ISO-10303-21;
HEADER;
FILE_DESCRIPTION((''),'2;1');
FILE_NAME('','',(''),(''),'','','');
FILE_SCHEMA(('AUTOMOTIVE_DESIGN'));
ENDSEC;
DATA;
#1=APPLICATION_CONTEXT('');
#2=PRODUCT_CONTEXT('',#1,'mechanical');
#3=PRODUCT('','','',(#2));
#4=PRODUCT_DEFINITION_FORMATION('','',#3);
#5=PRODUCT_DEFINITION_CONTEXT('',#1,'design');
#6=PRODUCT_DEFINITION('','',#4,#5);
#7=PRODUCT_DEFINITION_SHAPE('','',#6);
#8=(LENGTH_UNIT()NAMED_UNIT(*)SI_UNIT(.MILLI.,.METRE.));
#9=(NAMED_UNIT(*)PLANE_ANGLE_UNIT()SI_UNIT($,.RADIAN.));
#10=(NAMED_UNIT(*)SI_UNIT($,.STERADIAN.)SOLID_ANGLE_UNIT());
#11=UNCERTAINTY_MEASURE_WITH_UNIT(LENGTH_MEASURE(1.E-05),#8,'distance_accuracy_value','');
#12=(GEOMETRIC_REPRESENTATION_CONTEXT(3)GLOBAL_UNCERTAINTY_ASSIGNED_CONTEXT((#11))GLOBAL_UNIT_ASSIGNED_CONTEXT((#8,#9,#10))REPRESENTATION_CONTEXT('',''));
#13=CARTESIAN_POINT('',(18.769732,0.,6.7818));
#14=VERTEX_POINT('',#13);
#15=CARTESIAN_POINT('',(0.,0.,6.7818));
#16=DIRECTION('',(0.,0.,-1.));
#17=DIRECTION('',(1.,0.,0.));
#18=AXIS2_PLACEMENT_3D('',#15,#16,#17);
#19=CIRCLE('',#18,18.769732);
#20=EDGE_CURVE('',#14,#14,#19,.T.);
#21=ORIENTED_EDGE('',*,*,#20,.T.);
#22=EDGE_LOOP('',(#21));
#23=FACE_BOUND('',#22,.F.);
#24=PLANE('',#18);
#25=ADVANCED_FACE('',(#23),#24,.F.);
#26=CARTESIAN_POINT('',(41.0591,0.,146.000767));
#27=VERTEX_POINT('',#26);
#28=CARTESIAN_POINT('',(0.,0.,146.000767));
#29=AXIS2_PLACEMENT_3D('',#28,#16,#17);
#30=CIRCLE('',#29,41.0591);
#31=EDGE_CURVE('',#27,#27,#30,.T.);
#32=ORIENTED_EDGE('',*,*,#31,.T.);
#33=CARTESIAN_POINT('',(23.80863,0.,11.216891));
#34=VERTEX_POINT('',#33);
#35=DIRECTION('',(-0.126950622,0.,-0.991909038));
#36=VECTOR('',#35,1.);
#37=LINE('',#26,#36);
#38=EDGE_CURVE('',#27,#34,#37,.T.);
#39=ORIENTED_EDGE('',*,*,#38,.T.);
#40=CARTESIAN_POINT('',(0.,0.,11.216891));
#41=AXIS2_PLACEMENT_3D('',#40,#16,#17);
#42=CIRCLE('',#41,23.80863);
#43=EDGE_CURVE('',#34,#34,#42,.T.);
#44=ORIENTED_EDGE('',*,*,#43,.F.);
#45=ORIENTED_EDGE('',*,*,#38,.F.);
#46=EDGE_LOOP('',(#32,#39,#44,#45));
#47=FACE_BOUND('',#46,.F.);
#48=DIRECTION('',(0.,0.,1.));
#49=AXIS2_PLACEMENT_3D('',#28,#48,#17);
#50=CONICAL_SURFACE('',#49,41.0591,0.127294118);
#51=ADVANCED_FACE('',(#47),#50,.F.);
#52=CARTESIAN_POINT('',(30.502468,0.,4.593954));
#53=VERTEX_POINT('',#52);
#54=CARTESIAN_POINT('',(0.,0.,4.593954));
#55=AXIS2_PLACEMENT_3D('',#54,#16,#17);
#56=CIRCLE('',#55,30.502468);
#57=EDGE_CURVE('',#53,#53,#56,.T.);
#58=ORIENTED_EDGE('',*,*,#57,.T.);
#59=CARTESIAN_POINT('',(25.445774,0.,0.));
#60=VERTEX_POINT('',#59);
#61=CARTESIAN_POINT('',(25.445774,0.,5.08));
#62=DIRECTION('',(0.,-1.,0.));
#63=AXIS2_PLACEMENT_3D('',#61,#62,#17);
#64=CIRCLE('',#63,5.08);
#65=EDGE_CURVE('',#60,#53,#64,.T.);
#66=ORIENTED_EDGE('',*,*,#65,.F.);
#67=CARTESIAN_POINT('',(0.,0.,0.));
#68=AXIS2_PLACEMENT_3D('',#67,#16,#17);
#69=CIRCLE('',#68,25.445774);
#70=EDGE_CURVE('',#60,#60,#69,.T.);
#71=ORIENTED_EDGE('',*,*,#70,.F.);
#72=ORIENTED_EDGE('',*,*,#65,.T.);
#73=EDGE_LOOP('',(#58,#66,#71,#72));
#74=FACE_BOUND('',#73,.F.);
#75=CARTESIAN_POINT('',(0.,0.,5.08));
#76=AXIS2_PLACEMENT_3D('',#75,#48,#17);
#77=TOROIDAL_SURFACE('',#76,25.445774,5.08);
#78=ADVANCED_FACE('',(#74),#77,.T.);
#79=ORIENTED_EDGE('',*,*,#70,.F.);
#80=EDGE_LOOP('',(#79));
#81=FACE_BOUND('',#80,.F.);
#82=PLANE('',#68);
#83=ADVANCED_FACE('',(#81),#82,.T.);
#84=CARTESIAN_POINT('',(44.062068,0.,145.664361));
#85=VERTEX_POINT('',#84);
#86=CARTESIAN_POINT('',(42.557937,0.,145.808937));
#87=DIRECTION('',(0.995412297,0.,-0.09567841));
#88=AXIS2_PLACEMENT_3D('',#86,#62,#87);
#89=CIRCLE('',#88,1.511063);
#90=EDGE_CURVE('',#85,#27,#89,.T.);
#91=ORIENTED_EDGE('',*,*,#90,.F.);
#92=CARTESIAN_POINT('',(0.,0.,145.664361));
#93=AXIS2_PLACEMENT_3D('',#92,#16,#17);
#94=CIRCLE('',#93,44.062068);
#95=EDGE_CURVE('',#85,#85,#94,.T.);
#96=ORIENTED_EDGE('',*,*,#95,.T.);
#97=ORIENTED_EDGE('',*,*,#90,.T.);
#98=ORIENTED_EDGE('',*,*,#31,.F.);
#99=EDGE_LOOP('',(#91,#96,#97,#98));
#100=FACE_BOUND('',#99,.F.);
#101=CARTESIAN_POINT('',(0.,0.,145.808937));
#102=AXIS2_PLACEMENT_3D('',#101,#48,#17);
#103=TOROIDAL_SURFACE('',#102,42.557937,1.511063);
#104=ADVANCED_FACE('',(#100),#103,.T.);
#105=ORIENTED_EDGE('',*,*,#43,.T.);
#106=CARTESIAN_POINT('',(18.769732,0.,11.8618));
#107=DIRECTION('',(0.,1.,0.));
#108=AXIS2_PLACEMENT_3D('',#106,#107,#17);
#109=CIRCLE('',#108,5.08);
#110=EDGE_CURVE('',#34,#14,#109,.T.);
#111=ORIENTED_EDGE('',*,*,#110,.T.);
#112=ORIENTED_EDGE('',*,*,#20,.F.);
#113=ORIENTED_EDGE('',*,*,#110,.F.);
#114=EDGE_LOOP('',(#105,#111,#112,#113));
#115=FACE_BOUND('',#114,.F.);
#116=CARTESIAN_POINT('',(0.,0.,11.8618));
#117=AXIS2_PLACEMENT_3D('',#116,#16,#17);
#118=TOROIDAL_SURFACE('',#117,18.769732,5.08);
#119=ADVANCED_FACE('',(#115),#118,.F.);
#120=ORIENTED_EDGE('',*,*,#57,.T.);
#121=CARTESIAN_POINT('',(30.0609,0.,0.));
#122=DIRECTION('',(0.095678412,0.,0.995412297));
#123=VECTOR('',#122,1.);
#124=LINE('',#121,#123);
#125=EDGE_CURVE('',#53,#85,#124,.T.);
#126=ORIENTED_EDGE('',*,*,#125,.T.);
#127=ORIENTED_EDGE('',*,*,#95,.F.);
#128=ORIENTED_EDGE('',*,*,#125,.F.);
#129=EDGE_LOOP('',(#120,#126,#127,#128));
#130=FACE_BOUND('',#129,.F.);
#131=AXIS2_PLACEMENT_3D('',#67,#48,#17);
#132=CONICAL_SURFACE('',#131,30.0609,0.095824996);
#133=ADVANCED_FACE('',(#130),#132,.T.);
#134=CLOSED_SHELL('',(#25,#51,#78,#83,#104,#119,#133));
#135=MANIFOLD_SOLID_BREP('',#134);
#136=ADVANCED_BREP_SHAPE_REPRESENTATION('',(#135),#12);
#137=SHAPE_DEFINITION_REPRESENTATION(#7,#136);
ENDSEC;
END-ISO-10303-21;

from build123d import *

# Parameters (mm, degrees)
F2_R = 5.08


with BuildPart() as f1:
    # F0 (on Front) → F1 (revolve)
    with BuildSketch(Plane.XZ):
        with BuildLine():
            Line((0, 6.7818), (0, 0))
            Line((0, 0), (30.0609, 0))
            Line((30.0609, 0), (44.062068, 145.664361))
            ThreePointArc((44.062068, 145.664361), (42.726161, 147.310607), (41.0591, 146.000767))
            Line((41.0591, 146.000767), (23.241, 6.7818))
            Line((23.241, 6.7818), (0, 6.7818))
        make_face()
    revolve(axis=Axis((0, 0, 3.3909), (0, 0, -1)))

    # F2
    f2_edges = [f1.edges().sort_by_distance(p)[0] for p in [
        (-30.0609, 0, 0),
        (-23.241, 0, 6.7818),
    ]]
    fillet(f2_edges, radius=F2_R)


solid = f1.part
